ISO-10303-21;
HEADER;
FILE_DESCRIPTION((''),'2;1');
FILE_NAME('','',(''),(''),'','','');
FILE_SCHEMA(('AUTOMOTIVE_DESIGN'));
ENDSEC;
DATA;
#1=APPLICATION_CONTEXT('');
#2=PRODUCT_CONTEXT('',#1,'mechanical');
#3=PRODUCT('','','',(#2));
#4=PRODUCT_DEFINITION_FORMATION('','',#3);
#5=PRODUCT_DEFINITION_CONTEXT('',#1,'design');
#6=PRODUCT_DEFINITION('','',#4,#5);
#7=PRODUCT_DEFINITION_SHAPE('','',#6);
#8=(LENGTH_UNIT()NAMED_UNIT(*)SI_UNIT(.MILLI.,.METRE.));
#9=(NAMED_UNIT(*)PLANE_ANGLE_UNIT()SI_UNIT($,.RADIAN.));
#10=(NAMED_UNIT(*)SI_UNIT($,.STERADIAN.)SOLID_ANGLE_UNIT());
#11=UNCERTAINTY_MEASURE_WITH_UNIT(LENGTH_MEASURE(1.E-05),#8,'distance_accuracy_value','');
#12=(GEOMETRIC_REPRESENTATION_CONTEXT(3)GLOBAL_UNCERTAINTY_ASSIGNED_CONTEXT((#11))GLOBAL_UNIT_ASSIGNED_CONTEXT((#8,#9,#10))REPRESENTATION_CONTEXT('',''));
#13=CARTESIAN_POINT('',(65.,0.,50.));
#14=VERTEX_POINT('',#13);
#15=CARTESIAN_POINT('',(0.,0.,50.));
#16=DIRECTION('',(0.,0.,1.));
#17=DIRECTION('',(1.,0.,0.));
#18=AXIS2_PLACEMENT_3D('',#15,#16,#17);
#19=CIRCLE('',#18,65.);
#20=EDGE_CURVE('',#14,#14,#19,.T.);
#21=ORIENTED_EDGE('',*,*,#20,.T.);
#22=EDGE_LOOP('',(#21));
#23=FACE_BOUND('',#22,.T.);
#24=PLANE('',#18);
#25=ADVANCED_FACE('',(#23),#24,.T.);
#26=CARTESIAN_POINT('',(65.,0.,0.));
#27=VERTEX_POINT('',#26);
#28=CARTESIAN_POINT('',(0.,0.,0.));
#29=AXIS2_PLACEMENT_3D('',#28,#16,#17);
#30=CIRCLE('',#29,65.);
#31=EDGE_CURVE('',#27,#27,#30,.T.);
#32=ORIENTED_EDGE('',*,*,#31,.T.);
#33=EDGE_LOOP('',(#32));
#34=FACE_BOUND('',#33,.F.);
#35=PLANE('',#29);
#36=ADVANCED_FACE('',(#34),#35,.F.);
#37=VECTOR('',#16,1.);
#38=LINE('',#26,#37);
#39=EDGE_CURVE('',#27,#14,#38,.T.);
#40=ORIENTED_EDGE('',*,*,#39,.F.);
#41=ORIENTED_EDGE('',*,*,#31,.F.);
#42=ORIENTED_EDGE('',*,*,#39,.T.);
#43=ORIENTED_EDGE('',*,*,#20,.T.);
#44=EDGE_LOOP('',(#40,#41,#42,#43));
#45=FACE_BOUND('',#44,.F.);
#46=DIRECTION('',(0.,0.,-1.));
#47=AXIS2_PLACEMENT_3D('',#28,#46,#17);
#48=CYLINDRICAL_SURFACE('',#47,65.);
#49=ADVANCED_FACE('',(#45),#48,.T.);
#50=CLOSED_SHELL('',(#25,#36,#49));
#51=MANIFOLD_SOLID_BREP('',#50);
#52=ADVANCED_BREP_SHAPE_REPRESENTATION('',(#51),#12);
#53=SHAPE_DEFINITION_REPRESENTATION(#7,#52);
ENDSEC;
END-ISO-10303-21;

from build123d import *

# Parameters (mm, degrees)
SKETCH_R      = 65
EXTRUDE_DEPTH = 50


with BuildPart() as part:
    # Sketch → Extrude (new body)
    with BuildSketch(Plane.XY):
        Circle(SKETCH_R)
    extrude(amount=EXTRUDE_DEPTH)


solid = part.part
